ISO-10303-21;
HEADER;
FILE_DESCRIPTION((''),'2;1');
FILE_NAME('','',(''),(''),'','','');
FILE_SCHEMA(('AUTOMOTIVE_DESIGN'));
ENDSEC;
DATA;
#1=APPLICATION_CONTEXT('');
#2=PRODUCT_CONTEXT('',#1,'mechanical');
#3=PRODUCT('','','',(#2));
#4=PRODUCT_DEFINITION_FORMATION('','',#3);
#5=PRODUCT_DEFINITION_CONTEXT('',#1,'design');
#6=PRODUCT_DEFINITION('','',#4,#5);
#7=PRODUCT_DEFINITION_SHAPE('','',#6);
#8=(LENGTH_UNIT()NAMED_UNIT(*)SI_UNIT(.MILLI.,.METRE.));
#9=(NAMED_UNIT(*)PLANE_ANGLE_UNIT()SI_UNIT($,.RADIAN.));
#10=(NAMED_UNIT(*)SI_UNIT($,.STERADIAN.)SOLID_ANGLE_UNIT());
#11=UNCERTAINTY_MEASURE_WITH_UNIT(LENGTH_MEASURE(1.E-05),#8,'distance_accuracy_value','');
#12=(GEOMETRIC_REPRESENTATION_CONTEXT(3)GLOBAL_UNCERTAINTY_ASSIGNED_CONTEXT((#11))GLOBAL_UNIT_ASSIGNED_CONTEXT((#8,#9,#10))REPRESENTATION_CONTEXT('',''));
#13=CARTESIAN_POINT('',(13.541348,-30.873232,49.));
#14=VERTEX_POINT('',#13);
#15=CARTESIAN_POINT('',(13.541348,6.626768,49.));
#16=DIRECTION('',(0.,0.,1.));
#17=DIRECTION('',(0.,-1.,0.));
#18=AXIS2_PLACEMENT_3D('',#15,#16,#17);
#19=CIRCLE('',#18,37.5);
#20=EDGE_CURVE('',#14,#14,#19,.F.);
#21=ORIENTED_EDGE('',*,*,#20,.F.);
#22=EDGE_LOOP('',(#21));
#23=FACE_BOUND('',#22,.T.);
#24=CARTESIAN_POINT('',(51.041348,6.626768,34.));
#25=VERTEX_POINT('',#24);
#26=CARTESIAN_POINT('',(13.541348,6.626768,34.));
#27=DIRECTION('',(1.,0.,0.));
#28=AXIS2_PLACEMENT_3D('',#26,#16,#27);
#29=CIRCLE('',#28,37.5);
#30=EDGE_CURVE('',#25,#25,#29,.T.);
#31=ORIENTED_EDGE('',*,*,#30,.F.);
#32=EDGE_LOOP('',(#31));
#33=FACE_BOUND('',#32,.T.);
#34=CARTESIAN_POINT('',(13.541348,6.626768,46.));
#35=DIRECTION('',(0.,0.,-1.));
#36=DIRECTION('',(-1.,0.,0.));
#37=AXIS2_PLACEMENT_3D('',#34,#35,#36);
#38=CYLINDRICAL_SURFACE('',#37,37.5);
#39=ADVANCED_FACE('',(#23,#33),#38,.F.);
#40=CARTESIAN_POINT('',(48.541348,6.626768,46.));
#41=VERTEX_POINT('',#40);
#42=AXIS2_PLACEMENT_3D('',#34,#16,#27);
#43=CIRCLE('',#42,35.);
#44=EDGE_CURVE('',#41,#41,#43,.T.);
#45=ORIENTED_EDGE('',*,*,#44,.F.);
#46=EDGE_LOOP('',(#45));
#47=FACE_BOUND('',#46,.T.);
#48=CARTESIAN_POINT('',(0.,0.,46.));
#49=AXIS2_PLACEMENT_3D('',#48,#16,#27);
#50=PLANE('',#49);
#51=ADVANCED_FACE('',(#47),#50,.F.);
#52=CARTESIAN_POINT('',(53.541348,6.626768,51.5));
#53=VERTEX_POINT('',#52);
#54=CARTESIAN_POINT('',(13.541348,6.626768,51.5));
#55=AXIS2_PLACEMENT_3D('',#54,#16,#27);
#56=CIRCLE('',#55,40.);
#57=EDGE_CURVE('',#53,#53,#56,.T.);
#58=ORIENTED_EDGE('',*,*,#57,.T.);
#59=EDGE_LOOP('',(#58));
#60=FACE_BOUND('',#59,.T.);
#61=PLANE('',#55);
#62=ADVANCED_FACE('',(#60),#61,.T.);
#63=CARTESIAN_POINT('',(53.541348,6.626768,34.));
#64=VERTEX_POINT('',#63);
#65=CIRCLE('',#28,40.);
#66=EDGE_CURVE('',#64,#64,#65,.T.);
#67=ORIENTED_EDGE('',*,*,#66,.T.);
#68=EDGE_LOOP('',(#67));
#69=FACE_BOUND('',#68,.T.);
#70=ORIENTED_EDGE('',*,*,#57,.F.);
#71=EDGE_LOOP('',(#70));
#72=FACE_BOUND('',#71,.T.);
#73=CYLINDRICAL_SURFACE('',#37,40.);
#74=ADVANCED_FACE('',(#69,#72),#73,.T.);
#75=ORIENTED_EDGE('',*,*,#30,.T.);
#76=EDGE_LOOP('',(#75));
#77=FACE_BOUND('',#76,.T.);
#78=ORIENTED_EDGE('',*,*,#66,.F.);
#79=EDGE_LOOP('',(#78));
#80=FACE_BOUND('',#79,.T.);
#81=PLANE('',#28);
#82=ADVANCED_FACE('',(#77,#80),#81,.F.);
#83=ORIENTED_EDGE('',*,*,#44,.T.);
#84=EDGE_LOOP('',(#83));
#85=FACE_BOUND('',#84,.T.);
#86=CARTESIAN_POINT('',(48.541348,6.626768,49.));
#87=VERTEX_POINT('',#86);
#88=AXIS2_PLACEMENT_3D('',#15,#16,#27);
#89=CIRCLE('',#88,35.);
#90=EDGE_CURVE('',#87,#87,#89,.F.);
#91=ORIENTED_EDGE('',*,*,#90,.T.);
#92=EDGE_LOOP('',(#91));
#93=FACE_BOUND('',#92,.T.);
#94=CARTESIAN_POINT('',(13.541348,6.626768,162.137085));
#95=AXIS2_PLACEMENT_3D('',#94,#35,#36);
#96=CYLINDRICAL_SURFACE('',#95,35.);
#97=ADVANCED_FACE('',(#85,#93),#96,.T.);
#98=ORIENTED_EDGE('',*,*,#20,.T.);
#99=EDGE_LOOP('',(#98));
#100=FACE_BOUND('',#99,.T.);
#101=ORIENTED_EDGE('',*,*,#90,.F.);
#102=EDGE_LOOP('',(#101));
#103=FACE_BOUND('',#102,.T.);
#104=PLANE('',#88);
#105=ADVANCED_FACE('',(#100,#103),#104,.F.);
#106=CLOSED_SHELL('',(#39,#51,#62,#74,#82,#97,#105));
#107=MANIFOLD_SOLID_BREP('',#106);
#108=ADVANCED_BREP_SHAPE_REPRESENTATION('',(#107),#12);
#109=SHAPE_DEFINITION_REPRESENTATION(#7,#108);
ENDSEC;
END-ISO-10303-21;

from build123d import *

# Parameters (mm, degrees)
CROQUIS2_R              = 40
CROQUIS2_R_2            = 37.5
SALIENTE_EXTRUIR1_DEPTH = 12
CROQUIS3_R              = 40
CROQUIS3_R_2            = 37.5
CROQUIS3_R_3            = 35
SALIENTE_EXTRUIR2_DEPTH = 3
CROQUIS4_R              = 40
SALIENTE_EXTRUIR3_DEPTH = 2.5


with BuildPart() as part:
    # Croquis2 → Saliente-Extruir1 (new body)
    with BuildSketch(Plane.XY.offset(34)):
        with Locations((13.541348433, 6.626768313)):
            Circle(CROQUIS2_R)
        with Locations((13.541348433, 6.626768313)):
            Circle(CROQUIS2_R_2, mode=Mode.SUBTRACT)
    extrude(amount=SALIENTE_EXTRUIR1_DEPTH)

    # Croquis3 → Saliente-Extruir2 (add)
    with BuildSketch(Plane.XY.offset(46)):
        with Locations((13.541348433, 6.626768313)):
            Circle(CROQUIS3_R)
        with Locations((13.541348433, 6.626768313)):
            Circle(CROQUIS3_R_2, mode=Mode.SUBTRACT)
        with Locations((13.541348433, 6.626768313)):
            Circle(CROQUIS3_R_3)
    extrude(amount=SALIENTE_EXTRUIR2_DEPTH)

    # Croquis4 → Saliente-Extruir3 (add)
    with BuildSketch(Plane.XY.offset(49)):
        with Locations((13.541348433, 6.626768313)):
            Circle(CROQUIS4_R)
    extrude(amount=SALIENTE_EXTRUIR3_DEPTH)


solid = part.part
